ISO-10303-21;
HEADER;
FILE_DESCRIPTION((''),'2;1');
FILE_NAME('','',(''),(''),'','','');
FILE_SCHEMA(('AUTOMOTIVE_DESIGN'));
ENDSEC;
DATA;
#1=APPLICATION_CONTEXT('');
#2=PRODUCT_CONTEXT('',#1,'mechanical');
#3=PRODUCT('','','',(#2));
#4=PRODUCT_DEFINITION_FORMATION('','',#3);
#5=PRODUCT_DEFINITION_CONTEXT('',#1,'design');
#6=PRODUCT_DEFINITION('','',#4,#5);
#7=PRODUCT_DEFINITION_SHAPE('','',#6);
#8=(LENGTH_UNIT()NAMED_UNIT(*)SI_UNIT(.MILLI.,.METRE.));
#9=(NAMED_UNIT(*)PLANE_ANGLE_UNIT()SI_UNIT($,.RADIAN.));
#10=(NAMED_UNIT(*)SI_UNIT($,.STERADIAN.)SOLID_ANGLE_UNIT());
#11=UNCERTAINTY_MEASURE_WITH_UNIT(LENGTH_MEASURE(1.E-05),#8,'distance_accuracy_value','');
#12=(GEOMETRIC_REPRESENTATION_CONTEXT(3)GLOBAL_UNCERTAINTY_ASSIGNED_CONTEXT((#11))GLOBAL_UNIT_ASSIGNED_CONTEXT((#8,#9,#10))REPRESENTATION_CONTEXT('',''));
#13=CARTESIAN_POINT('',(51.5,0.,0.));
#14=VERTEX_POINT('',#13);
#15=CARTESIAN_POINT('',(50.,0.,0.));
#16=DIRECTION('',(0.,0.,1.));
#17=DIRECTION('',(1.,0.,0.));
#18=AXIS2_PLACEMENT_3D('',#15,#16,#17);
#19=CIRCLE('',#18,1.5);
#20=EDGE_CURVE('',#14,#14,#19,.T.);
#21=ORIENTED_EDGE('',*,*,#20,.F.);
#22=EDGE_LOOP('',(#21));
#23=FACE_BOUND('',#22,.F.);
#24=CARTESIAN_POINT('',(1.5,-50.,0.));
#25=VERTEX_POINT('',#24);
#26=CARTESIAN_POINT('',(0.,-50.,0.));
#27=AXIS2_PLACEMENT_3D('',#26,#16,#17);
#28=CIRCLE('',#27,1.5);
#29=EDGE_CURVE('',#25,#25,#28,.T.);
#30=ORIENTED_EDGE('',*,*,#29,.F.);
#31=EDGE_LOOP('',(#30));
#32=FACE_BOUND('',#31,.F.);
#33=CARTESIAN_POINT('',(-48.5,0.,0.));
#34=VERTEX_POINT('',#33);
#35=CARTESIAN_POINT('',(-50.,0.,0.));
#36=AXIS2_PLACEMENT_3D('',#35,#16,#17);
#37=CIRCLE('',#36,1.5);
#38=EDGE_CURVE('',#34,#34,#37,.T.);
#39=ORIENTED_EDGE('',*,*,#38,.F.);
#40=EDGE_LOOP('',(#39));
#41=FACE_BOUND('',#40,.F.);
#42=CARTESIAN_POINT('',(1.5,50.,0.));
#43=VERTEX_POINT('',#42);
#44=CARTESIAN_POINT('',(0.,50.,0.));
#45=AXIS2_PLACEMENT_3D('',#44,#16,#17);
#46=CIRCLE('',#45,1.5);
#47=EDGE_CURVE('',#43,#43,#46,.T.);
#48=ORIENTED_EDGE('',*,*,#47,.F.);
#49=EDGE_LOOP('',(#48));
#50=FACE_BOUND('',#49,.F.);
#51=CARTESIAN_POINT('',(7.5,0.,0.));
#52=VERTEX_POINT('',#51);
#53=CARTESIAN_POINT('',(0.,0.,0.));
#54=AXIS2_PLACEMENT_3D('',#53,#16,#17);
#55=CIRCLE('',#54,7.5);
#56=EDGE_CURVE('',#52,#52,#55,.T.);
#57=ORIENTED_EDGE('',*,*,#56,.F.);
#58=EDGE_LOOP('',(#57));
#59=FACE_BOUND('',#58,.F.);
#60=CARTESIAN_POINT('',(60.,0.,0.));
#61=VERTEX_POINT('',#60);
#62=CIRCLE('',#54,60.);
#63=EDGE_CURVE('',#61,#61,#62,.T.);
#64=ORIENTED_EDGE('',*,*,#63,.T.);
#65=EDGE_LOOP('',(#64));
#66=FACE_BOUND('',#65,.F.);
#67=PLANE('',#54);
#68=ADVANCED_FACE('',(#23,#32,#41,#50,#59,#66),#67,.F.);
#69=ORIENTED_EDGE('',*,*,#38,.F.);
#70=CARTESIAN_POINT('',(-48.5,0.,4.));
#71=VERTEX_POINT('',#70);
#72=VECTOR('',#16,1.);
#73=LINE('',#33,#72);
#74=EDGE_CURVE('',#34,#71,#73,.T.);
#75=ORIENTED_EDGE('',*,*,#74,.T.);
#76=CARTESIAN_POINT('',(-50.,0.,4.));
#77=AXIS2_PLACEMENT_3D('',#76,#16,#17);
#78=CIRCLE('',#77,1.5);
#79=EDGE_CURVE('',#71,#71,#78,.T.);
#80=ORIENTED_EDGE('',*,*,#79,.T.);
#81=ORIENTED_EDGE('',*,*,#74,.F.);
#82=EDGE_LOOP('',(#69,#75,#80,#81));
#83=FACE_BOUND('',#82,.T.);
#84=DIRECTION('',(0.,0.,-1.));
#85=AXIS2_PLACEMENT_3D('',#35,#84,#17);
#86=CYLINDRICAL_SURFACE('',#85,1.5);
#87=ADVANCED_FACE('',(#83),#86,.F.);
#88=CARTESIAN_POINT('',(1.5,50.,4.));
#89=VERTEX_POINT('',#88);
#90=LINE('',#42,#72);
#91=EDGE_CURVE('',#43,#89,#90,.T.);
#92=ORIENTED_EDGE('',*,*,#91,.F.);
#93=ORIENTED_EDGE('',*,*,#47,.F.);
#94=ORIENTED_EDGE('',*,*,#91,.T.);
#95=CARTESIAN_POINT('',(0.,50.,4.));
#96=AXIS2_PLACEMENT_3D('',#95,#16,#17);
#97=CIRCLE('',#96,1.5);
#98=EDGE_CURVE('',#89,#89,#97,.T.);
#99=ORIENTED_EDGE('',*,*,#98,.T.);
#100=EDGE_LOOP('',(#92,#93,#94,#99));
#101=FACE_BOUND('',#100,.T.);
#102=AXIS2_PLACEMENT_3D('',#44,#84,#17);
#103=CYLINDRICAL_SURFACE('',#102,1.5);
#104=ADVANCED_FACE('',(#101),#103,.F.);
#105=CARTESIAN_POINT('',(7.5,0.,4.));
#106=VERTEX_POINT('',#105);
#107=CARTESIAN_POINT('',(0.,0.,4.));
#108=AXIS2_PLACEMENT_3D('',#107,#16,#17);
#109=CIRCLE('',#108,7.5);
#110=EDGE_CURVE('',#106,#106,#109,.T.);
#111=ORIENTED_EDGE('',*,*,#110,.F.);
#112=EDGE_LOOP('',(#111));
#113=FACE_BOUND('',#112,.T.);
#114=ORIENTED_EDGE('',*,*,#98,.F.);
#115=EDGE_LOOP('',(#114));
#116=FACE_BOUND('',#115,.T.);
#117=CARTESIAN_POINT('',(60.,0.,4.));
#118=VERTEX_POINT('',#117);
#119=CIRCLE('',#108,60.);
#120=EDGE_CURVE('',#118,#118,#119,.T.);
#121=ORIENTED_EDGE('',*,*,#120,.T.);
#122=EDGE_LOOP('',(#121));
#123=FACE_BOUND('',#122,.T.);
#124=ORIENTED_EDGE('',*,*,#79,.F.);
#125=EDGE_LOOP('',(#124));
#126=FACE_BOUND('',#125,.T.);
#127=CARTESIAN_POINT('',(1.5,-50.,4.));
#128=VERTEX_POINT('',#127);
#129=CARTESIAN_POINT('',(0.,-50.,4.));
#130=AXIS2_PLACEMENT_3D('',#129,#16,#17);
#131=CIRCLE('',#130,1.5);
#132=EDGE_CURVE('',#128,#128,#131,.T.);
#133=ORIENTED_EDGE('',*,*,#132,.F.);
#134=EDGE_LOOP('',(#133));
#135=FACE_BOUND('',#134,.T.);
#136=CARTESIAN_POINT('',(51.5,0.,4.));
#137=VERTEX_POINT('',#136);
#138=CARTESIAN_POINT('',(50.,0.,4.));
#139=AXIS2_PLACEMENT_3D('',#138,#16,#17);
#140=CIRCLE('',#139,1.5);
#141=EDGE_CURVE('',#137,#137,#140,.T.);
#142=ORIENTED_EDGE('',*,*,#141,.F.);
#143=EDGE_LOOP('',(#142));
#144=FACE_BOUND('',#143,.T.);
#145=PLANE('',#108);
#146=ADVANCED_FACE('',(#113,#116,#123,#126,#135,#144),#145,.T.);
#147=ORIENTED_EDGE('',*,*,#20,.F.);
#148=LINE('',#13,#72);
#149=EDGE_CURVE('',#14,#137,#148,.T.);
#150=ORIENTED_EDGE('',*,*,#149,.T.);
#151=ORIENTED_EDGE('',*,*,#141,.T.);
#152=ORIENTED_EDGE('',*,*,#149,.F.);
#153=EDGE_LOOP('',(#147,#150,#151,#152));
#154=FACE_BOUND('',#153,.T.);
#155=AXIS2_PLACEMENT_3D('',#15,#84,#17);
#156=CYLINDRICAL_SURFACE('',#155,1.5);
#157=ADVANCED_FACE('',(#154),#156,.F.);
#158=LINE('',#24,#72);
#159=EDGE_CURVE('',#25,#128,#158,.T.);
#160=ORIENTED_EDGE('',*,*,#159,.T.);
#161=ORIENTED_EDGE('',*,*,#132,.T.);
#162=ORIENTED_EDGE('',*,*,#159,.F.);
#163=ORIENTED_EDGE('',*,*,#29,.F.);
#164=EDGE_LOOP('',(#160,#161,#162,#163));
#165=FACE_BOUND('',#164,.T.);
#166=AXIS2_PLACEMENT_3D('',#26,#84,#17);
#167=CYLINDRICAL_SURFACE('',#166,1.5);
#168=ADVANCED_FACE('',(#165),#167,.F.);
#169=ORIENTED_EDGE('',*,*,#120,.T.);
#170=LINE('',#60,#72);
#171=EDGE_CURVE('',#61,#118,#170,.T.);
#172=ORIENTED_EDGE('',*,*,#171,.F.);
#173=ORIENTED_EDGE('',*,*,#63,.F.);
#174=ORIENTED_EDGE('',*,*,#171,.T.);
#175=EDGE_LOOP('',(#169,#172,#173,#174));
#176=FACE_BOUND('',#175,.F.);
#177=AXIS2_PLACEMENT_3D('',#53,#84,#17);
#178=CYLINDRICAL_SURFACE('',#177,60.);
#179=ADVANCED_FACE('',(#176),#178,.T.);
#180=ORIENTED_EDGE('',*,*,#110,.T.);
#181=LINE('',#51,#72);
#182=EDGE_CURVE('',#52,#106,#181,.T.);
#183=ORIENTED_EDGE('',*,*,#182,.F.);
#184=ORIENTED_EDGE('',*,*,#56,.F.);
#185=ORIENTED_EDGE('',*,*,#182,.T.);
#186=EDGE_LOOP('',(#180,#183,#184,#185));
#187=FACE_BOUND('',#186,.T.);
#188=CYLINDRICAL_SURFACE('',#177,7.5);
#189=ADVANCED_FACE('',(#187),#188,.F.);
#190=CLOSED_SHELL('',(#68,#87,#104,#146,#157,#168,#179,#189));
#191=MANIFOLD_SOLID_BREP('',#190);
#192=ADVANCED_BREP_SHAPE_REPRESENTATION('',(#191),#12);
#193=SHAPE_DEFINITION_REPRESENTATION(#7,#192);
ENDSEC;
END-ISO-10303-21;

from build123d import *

# Parameters (mm, degrees)
SKETCH_R   = 60
SKETCH_R_2 = 7.5
SKETCH_R_3 = 1.5
PAD_DEPTH  = 4


with BuildPart() as part:
    # Sketch → Pad (new body)
    with BuildSketch(Plane.XY):
        Circle(SKETCH_R)
        Circle(SKETCH_R_2, mode=Mode.SUBTRACT)
        with Locations((0, 50)):
            Circle(SKETCH_R_3, mode=Mode.SUBTRACT)
        with Locations((0, -50)):
            Circle(SKETCH_R_3, mode=Mode.SUBTRACT)
        with Locations((50, 0)):
            Circle(SKETCH_R_3, mode=Mode.SUBTRACT)
        with Locations((-50, 0)):
            Circle(SKETCH_R_3, mode=Mode.SUBTRACT)
    extrude(amount=PAD_DEPTH)


solid = part.part
